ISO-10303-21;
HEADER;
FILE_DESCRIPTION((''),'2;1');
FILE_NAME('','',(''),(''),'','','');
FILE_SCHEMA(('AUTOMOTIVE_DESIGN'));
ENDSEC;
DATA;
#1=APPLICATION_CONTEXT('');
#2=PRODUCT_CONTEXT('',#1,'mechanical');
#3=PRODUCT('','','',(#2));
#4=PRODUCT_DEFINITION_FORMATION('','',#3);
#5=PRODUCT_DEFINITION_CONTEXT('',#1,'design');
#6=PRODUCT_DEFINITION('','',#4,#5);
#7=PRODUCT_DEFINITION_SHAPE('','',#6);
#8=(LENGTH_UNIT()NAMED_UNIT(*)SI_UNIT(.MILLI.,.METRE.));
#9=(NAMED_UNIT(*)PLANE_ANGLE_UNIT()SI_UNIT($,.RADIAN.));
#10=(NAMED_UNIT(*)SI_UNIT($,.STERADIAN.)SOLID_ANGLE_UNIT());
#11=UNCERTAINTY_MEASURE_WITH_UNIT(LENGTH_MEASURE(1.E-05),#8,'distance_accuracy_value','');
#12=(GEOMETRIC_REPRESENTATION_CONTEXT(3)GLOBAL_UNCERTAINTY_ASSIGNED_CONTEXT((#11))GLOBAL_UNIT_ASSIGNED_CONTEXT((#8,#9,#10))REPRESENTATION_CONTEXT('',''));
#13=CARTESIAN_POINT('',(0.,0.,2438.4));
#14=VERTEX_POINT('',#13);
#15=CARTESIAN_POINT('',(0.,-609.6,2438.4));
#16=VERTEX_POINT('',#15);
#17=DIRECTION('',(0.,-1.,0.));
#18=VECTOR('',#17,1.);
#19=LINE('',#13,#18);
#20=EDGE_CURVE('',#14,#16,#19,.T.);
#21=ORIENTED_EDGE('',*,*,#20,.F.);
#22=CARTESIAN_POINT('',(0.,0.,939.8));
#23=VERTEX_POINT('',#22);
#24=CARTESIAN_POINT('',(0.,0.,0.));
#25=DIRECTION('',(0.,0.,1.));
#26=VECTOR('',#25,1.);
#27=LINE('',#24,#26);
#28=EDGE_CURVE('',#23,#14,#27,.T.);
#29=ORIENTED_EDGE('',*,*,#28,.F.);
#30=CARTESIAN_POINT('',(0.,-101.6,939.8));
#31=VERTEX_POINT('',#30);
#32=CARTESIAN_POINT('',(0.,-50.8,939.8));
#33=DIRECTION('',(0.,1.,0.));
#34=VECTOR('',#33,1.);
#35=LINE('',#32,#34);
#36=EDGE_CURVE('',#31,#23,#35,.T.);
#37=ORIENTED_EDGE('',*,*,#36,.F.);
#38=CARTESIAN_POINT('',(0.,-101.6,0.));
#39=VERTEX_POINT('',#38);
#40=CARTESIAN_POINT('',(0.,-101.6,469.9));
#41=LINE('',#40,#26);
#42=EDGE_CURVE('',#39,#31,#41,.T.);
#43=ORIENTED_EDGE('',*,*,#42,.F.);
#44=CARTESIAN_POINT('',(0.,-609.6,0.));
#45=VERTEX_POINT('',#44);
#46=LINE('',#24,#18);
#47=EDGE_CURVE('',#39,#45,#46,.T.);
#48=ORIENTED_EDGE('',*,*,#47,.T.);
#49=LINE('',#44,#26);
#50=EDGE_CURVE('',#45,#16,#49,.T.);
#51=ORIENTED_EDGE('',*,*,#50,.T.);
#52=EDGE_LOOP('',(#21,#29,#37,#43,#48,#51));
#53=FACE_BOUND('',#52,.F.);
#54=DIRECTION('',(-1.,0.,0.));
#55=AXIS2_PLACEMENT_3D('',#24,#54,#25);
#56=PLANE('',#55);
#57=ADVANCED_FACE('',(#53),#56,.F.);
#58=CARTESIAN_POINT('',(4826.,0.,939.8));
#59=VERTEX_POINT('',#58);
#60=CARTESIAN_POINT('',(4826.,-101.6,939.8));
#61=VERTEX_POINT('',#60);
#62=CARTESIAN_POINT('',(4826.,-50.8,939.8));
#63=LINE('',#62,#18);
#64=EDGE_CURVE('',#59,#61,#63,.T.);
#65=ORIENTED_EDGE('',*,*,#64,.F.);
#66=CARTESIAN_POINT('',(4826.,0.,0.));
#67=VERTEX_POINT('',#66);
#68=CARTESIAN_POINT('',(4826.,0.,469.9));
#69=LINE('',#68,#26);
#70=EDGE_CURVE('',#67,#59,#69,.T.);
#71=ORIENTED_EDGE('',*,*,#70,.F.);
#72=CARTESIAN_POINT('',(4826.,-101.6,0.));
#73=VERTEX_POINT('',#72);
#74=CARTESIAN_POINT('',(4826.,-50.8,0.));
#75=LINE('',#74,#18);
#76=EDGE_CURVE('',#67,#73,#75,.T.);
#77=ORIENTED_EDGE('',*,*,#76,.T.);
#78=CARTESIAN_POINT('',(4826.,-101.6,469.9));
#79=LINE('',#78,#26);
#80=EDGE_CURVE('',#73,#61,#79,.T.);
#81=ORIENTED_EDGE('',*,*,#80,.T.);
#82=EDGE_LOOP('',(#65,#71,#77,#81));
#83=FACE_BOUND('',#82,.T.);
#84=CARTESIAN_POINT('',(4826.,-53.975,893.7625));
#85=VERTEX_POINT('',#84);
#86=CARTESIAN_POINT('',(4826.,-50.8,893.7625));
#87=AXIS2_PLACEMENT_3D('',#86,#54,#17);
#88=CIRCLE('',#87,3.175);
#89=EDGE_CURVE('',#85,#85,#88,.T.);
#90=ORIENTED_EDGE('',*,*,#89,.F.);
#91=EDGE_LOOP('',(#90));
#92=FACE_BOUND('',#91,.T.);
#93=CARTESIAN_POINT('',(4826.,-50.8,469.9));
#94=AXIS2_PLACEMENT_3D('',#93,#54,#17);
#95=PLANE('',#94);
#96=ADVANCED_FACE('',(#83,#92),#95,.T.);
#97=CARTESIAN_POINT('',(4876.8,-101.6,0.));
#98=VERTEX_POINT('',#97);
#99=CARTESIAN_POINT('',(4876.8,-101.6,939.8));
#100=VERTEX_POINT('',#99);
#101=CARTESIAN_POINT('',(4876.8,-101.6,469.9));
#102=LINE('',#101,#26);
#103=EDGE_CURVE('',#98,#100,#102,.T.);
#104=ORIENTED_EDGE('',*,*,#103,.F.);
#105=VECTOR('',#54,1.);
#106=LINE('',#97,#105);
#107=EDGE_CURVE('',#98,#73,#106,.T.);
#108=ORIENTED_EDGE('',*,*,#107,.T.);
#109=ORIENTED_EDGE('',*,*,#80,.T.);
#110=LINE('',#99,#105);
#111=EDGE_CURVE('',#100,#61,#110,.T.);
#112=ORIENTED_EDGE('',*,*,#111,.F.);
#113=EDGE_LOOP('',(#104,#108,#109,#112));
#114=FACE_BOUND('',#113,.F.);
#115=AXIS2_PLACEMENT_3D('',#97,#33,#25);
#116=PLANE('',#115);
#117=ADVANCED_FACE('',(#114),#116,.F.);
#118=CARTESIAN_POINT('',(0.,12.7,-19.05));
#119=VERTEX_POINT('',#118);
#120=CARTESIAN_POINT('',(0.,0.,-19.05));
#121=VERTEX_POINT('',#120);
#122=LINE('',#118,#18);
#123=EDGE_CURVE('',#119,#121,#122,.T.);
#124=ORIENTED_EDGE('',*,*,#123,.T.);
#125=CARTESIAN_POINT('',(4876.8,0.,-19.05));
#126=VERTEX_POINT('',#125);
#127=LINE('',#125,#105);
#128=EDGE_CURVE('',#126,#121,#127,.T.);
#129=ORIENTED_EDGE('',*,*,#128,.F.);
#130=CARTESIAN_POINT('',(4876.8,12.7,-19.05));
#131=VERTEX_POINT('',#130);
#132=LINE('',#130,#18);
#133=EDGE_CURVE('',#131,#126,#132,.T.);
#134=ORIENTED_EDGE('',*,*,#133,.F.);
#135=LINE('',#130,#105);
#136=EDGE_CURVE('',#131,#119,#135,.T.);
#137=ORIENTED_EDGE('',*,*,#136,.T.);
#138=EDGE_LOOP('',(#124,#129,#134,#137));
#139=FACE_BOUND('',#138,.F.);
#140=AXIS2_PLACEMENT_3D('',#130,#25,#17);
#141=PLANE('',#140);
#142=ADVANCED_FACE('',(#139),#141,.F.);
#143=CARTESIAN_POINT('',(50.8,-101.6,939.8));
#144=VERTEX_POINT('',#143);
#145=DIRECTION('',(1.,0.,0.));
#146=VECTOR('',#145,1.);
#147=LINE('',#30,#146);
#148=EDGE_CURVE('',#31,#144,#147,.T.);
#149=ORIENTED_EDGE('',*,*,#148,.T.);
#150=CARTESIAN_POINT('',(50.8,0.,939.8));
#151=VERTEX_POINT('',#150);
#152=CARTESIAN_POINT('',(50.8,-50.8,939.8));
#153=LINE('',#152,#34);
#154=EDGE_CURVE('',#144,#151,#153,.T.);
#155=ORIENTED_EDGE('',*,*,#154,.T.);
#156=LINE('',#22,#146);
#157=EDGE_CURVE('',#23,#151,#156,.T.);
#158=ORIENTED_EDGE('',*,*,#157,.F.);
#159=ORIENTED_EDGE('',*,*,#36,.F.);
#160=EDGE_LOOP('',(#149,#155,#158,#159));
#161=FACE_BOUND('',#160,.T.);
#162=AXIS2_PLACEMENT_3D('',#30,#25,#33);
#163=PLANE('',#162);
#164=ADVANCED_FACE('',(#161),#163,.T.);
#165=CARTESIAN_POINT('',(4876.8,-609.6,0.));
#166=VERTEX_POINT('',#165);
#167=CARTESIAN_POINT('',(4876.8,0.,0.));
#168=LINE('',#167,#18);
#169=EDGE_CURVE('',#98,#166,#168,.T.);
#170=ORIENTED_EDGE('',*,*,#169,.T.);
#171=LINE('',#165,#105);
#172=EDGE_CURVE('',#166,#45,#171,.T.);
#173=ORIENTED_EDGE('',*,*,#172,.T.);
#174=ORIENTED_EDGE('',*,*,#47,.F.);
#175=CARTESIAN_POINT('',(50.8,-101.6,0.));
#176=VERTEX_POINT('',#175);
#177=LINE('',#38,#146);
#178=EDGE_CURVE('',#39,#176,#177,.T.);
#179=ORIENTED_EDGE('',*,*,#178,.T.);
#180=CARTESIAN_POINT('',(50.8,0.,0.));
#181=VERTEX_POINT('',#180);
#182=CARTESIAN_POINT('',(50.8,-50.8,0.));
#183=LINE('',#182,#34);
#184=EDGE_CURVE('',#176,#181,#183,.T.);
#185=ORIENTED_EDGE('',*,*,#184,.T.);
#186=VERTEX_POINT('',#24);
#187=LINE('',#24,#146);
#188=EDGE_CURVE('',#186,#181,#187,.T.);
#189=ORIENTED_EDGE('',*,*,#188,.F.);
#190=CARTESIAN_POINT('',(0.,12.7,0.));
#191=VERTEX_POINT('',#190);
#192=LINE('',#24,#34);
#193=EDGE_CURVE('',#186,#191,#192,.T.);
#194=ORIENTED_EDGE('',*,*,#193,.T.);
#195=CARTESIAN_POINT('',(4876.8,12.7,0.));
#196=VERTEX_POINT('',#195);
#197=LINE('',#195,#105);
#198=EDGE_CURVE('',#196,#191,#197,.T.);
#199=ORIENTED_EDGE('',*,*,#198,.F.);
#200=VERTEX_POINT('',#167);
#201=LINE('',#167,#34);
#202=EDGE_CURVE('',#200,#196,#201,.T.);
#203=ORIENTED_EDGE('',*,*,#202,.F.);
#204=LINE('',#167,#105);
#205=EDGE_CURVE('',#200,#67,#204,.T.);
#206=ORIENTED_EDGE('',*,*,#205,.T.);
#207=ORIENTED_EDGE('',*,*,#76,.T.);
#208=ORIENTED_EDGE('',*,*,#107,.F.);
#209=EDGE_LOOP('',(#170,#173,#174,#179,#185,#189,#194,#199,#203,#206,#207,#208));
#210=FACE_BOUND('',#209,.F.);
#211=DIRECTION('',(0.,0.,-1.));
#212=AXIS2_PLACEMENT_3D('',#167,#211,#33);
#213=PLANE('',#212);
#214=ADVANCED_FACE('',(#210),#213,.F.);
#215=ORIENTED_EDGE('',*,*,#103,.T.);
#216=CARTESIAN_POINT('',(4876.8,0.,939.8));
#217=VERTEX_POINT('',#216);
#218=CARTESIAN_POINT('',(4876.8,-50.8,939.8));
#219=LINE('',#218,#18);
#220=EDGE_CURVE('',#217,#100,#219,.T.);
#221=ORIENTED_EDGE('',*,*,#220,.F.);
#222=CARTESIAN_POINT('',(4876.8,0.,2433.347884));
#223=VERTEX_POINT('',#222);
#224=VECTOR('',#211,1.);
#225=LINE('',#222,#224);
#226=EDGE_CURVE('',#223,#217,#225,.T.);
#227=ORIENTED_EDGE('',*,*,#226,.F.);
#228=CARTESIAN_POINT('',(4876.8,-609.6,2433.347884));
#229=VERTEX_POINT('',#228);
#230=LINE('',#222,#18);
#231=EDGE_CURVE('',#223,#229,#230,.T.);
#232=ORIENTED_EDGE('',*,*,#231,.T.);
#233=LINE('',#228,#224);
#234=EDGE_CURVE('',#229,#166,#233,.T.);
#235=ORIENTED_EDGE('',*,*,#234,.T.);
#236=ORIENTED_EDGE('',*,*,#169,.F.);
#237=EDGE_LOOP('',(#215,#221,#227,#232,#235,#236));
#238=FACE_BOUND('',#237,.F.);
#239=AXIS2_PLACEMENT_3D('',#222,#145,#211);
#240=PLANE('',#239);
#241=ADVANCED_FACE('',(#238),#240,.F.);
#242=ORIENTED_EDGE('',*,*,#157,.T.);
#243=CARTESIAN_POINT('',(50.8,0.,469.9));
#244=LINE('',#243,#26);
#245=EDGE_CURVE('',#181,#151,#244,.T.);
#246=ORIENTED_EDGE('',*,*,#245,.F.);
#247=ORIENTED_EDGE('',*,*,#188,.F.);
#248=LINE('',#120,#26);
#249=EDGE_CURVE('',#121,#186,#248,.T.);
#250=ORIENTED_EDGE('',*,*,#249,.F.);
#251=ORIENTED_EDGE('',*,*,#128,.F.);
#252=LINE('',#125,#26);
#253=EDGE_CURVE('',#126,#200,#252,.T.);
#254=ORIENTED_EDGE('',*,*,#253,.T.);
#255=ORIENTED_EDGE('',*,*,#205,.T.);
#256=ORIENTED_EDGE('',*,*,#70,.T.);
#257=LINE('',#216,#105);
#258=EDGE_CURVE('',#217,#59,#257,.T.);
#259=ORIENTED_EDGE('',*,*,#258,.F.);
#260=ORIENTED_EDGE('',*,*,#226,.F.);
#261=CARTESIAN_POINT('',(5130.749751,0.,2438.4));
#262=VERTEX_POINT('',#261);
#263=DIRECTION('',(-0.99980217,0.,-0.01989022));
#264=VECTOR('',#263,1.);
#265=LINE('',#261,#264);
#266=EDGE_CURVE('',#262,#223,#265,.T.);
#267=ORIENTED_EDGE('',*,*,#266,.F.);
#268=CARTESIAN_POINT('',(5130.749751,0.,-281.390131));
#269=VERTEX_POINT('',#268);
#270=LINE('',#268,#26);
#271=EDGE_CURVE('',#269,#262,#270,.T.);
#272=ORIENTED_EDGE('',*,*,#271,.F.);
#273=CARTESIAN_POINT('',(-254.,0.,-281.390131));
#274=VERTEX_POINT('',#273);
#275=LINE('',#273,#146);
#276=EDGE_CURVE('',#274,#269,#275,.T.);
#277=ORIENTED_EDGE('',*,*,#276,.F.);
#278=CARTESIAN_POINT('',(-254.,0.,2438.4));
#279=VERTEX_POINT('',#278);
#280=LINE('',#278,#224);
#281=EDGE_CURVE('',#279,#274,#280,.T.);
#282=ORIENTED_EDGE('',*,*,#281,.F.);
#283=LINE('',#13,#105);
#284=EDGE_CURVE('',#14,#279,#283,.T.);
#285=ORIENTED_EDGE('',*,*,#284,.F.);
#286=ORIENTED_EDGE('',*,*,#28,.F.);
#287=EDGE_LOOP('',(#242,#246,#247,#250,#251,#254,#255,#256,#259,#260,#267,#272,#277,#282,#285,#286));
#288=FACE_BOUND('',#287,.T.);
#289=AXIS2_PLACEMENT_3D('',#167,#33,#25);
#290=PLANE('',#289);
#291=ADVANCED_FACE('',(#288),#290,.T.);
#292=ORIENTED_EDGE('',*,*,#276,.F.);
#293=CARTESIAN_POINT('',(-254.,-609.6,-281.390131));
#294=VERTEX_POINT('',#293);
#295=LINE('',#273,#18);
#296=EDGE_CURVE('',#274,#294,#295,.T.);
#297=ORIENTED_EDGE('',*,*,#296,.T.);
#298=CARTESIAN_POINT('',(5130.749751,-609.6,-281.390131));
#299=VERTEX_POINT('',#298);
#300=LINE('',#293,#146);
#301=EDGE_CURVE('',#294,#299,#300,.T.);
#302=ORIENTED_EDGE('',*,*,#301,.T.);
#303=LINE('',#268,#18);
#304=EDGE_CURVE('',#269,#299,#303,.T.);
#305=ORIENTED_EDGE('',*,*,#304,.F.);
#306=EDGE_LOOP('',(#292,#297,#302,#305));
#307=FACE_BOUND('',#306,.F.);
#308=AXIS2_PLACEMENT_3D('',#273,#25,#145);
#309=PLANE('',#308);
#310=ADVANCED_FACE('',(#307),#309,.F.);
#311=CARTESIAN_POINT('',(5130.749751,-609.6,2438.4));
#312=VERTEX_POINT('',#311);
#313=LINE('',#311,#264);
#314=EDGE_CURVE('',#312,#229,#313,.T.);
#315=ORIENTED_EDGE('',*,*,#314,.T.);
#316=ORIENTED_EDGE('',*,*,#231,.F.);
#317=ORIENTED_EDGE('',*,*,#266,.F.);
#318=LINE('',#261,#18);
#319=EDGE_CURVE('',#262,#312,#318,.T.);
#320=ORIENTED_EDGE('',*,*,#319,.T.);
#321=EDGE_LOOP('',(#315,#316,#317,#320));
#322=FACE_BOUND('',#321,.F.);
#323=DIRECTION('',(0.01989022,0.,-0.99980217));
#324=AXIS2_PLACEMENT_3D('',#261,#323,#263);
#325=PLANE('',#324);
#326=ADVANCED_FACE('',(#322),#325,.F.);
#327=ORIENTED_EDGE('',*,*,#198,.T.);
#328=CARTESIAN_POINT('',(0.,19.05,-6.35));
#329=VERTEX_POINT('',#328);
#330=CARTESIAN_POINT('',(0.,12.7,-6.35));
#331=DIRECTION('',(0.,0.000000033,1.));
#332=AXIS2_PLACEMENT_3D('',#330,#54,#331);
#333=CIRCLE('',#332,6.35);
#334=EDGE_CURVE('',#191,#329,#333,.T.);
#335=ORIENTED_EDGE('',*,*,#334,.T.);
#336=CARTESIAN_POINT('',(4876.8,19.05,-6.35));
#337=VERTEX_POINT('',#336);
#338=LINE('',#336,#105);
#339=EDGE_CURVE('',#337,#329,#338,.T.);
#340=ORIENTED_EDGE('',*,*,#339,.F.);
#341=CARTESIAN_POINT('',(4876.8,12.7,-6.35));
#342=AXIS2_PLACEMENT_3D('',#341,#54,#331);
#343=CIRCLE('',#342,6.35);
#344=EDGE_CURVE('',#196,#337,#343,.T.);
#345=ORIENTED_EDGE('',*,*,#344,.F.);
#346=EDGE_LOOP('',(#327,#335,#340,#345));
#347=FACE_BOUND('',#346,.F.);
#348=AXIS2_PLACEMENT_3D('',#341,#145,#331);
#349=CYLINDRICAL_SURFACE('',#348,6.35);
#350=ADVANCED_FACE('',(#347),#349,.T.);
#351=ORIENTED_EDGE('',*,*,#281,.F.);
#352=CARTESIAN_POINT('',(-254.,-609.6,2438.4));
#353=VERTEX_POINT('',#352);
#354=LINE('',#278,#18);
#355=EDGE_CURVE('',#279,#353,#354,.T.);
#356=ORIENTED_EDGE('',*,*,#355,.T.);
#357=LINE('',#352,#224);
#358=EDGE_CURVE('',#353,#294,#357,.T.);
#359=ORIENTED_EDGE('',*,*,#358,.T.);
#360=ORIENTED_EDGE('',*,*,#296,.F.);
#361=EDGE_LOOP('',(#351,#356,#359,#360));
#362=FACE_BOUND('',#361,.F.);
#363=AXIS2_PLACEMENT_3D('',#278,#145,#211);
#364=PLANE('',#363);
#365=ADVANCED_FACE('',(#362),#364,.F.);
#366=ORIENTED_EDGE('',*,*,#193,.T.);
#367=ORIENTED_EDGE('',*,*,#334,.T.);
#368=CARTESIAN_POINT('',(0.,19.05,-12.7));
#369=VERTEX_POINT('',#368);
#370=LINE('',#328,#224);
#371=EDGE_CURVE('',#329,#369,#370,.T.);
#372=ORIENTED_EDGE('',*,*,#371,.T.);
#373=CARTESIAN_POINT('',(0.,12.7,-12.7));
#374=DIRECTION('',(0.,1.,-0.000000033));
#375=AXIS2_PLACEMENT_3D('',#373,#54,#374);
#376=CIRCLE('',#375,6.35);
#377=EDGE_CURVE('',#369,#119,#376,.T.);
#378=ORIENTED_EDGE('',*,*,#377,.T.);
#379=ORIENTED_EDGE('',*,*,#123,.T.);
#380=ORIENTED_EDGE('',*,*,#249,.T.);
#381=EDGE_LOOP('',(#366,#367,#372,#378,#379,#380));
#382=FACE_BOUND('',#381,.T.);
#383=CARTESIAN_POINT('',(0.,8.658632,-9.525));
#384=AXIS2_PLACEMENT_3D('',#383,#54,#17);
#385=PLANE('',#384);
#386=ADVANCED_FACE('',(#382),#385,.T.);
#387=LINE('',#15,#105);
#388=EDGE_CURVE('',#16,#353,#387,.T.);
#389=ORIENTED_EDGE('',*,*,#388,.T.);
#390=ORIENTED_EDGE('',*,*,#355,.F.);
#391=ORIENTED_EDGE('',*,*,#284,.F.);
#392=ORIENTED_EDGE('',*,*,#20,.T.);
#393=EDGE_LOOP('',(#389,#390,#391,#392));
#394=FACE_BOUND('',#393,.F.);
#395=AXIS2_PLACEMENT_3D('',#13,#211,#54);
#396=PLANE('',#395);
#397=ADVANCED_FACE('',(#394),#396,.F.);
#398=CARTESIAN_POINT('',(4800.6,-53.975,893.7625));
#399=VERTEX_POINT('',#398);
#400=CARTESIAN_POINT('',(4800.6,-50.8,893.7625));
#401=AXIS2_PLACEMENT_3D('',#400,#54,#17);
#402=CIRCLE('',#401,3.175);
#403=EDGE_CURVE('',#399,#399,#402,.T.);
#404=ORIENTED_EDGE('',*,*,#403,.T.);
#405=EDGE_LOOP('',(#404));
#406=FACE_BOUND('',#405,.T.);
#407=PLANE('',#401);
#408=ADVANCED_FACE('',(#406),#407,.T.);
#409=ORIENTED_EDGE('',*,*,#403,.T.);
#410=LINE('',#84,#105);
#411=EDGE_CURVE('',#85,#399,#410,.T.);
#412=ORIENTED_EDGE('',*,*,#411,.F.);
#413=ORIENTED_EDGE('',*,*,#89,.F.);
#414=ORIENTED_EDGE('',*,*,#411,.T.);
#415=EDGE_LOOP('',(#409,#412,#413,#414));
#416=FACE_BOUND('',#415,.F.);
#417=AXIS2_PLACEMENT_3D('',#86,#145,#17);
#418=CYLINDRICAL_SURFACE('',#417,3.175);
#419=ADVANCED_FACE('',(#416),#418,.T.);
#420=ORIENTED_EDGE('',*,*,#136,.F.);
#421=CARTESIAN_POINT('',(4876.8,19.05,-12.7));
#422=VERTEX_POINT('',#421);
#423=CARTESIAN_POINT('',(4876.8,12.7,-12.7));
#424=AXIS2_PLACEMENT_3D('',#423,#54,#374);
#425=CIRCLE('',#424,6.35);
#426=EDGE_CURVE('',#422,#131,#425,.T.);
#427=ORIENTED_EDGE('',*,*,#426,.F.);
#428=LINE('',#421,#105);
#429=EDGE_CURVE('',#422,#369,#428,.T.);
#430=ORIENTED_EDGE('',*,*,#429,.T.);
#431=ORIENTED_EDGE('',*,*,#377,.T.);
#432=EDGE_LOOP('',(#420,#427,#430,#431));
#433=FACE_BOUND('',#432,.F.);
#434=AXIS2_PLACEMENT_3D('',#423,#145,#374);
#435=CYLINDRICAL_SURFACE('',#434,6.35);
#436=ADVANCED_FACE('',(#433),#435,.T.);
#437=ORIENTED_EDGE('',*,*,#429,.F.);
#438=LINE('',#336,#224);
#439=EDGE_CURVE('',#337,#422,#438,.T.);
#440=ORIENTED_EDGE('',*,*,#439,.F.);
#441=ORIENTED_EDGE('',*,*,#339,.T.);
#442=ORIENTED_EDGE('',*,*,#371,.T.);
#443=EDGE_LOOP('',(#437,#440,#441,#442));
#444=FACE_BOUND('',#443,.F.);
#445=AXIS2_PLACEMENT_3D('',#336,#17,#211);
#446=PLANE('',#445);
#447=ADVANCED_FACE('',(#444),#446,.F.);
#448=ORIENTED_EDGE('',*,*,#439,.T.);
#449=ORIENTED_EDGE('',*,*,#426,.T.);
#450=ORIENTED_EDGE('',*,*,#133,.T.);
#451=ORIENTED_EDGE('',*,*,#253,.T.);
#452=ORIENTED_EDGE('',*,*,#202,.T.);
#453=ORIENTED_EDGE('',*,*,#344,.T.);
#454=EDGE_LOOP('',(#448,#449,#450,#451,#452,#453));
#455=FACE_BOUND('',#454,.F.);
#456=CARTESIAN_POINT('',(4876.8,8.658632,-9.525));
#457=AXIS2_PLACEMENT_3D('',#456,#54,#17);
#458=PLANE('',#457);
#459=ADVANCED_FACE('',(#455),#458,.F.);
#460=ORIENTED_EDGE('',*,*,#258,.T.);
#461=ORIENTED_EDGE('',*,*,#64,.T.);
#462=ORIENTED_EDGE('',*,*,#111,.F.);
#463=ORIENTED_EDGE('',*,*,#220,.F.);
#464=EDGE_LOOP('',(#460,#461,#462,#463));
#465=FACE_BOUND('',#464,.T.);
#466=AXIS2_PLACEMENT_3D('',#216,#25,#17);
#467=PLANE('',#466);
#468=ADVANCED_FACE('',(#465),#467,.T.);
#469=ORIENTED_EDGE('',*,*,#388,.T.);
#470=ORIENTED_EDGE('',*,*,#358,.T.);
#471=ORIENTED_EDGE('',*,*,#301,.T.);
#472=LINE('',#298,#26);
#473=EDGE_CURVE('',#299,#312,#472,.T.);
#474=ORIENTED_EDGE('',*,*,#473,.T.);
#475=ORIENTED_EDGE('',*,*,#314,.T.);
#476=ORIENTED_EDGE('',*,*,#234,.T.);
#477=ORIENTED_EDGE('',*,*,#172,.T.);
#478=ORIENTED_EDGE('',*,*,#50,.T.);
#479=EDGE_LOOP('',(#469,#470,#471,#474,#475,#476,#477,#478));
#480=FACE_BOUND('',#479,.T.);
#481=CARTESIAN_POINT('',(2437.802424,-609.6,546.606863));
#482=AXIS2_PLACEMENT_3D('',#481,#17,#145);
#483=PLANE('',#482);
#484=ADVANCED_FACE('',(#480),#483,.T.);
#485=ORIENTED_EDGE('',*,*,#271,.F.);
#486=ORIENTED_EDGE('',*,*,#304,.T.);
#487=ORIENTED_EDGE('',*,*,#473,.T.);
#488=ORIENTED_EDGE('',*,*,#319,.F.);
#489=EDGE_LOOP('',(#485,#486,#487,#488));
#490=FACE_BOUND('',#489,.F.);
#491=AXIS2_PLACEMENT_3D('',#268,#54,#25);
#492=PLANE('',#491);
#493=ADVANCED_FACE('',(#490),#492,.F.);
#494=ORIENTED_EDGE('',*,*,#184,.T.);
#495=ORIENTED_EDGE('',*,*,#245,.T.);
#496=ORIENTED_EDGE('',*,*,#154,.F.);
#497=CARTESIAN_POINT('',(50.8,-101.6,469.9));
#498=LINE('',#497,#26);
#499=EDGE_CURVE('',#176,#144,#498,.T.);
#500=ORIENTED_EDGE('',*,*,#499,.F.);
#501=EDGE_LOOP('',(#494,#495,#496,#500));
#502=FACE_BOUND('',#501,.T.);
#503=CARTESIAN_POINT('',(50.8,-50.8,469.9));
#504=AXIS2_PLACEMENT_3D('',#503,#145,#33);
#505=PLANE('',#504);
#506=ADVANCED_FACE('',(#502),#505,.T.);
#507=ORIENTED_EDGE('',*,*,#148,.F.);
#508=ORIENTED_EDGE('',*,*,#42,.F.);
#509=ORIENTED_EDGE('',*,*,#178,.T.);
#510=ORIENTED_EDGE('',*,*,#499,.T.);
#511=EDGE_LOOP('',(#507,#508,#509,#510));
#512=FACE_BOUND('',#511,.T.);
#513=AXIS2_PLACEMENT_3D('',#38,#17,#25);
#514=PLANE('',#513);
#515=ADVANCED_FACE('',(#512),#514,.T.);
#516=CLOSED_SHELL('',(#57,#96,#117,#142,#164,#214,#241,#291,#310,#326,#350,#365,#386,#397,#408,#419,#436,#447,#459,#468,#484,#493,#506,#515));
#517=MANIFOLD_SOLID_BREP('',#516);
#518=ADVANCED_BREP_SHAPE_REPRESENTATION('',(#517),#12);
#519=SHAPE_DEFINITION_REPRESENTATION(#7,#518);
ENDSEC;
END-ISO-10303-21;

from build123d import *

# Parameters (mm, degrees)
F1_DEPTH = 609.6
F3_DEPTH = 4876.8
F4_W     = 101.6
F4_H     = 939.8
F5_DEPTH = 50.8
F6_W     = 101.6
F6_H     = 939.8
F7_DEPTH = 50.8
F8_R     = 3.175
F9_DEPTH = 25.4


with BuildPart() as f1:
    # F0 (on Front) → F1 (new body)
    with BuildSketch(Plane.XZ):
        Polygon((4876.8, 0), (0, 0), (0, 2438.4), (-254, 2438.4), (-254, -281.390131), (5130.749751, -281.390131), (5130.749751, 2438.4), (4876.8, 2433.347884), align=None)
    extrude(amount=F1_DEPTH)

    # F2 (on face) → F3 (join)
    with BuildSketch(Plane(origin=(4876.8, 0, 0), x_dir=(0, -1, 0), z_dir=(-1, 0, 0))):
        with BuildLine():
            Line((0, -19.05), (0, 0))
            Line((0, 0), (-12.7, 0))
            ThreePointArc((-12.7, 0), (-17.190128, -1.859872), (-19.05, -6.35))
            Line((-19.05, -6.35), (-19.05, -12.7))
            ThreePointArc((-19.05, -12.7), (-17.190128, -17.190128), (-12.7, -19.05))
            Line((-12.7, -19.05), (0, -19.05))
        make_face()
    extrude(amount=F3_DEPTH)

    # F4 (on face) → F5 (join)
    with BuildSketch(Plane.YZ):
        with Locations((-50.8, 469.9)):
            Rectangle(F4_W, F4_H)
    extrude(amount=F5_DEPTH)

    # F6 (on face) → F7 (join)
    with BuildSketch(Plane(origin=(4876.8, 0, 0), x_dir=(0, -1, 0), z_dir=(-1, 0, 0))):
        with Locations((50.8, 469.9)):
            Rectangle(F6_W, F6_H)
    extrude(amount=F7_DEPTH)

    # F8 (on face) → F9 (join)
    with BuildSketch(Plane(origin=(4826, 0, 0), x_dir=(0, -1, 0), z_dir=(-1, 0, 0))):
        with Locations((50.8, 893.7625)):
            Circle(F8_R)
    extrude(amount=F9_DEPTH)


solid = f1.part
